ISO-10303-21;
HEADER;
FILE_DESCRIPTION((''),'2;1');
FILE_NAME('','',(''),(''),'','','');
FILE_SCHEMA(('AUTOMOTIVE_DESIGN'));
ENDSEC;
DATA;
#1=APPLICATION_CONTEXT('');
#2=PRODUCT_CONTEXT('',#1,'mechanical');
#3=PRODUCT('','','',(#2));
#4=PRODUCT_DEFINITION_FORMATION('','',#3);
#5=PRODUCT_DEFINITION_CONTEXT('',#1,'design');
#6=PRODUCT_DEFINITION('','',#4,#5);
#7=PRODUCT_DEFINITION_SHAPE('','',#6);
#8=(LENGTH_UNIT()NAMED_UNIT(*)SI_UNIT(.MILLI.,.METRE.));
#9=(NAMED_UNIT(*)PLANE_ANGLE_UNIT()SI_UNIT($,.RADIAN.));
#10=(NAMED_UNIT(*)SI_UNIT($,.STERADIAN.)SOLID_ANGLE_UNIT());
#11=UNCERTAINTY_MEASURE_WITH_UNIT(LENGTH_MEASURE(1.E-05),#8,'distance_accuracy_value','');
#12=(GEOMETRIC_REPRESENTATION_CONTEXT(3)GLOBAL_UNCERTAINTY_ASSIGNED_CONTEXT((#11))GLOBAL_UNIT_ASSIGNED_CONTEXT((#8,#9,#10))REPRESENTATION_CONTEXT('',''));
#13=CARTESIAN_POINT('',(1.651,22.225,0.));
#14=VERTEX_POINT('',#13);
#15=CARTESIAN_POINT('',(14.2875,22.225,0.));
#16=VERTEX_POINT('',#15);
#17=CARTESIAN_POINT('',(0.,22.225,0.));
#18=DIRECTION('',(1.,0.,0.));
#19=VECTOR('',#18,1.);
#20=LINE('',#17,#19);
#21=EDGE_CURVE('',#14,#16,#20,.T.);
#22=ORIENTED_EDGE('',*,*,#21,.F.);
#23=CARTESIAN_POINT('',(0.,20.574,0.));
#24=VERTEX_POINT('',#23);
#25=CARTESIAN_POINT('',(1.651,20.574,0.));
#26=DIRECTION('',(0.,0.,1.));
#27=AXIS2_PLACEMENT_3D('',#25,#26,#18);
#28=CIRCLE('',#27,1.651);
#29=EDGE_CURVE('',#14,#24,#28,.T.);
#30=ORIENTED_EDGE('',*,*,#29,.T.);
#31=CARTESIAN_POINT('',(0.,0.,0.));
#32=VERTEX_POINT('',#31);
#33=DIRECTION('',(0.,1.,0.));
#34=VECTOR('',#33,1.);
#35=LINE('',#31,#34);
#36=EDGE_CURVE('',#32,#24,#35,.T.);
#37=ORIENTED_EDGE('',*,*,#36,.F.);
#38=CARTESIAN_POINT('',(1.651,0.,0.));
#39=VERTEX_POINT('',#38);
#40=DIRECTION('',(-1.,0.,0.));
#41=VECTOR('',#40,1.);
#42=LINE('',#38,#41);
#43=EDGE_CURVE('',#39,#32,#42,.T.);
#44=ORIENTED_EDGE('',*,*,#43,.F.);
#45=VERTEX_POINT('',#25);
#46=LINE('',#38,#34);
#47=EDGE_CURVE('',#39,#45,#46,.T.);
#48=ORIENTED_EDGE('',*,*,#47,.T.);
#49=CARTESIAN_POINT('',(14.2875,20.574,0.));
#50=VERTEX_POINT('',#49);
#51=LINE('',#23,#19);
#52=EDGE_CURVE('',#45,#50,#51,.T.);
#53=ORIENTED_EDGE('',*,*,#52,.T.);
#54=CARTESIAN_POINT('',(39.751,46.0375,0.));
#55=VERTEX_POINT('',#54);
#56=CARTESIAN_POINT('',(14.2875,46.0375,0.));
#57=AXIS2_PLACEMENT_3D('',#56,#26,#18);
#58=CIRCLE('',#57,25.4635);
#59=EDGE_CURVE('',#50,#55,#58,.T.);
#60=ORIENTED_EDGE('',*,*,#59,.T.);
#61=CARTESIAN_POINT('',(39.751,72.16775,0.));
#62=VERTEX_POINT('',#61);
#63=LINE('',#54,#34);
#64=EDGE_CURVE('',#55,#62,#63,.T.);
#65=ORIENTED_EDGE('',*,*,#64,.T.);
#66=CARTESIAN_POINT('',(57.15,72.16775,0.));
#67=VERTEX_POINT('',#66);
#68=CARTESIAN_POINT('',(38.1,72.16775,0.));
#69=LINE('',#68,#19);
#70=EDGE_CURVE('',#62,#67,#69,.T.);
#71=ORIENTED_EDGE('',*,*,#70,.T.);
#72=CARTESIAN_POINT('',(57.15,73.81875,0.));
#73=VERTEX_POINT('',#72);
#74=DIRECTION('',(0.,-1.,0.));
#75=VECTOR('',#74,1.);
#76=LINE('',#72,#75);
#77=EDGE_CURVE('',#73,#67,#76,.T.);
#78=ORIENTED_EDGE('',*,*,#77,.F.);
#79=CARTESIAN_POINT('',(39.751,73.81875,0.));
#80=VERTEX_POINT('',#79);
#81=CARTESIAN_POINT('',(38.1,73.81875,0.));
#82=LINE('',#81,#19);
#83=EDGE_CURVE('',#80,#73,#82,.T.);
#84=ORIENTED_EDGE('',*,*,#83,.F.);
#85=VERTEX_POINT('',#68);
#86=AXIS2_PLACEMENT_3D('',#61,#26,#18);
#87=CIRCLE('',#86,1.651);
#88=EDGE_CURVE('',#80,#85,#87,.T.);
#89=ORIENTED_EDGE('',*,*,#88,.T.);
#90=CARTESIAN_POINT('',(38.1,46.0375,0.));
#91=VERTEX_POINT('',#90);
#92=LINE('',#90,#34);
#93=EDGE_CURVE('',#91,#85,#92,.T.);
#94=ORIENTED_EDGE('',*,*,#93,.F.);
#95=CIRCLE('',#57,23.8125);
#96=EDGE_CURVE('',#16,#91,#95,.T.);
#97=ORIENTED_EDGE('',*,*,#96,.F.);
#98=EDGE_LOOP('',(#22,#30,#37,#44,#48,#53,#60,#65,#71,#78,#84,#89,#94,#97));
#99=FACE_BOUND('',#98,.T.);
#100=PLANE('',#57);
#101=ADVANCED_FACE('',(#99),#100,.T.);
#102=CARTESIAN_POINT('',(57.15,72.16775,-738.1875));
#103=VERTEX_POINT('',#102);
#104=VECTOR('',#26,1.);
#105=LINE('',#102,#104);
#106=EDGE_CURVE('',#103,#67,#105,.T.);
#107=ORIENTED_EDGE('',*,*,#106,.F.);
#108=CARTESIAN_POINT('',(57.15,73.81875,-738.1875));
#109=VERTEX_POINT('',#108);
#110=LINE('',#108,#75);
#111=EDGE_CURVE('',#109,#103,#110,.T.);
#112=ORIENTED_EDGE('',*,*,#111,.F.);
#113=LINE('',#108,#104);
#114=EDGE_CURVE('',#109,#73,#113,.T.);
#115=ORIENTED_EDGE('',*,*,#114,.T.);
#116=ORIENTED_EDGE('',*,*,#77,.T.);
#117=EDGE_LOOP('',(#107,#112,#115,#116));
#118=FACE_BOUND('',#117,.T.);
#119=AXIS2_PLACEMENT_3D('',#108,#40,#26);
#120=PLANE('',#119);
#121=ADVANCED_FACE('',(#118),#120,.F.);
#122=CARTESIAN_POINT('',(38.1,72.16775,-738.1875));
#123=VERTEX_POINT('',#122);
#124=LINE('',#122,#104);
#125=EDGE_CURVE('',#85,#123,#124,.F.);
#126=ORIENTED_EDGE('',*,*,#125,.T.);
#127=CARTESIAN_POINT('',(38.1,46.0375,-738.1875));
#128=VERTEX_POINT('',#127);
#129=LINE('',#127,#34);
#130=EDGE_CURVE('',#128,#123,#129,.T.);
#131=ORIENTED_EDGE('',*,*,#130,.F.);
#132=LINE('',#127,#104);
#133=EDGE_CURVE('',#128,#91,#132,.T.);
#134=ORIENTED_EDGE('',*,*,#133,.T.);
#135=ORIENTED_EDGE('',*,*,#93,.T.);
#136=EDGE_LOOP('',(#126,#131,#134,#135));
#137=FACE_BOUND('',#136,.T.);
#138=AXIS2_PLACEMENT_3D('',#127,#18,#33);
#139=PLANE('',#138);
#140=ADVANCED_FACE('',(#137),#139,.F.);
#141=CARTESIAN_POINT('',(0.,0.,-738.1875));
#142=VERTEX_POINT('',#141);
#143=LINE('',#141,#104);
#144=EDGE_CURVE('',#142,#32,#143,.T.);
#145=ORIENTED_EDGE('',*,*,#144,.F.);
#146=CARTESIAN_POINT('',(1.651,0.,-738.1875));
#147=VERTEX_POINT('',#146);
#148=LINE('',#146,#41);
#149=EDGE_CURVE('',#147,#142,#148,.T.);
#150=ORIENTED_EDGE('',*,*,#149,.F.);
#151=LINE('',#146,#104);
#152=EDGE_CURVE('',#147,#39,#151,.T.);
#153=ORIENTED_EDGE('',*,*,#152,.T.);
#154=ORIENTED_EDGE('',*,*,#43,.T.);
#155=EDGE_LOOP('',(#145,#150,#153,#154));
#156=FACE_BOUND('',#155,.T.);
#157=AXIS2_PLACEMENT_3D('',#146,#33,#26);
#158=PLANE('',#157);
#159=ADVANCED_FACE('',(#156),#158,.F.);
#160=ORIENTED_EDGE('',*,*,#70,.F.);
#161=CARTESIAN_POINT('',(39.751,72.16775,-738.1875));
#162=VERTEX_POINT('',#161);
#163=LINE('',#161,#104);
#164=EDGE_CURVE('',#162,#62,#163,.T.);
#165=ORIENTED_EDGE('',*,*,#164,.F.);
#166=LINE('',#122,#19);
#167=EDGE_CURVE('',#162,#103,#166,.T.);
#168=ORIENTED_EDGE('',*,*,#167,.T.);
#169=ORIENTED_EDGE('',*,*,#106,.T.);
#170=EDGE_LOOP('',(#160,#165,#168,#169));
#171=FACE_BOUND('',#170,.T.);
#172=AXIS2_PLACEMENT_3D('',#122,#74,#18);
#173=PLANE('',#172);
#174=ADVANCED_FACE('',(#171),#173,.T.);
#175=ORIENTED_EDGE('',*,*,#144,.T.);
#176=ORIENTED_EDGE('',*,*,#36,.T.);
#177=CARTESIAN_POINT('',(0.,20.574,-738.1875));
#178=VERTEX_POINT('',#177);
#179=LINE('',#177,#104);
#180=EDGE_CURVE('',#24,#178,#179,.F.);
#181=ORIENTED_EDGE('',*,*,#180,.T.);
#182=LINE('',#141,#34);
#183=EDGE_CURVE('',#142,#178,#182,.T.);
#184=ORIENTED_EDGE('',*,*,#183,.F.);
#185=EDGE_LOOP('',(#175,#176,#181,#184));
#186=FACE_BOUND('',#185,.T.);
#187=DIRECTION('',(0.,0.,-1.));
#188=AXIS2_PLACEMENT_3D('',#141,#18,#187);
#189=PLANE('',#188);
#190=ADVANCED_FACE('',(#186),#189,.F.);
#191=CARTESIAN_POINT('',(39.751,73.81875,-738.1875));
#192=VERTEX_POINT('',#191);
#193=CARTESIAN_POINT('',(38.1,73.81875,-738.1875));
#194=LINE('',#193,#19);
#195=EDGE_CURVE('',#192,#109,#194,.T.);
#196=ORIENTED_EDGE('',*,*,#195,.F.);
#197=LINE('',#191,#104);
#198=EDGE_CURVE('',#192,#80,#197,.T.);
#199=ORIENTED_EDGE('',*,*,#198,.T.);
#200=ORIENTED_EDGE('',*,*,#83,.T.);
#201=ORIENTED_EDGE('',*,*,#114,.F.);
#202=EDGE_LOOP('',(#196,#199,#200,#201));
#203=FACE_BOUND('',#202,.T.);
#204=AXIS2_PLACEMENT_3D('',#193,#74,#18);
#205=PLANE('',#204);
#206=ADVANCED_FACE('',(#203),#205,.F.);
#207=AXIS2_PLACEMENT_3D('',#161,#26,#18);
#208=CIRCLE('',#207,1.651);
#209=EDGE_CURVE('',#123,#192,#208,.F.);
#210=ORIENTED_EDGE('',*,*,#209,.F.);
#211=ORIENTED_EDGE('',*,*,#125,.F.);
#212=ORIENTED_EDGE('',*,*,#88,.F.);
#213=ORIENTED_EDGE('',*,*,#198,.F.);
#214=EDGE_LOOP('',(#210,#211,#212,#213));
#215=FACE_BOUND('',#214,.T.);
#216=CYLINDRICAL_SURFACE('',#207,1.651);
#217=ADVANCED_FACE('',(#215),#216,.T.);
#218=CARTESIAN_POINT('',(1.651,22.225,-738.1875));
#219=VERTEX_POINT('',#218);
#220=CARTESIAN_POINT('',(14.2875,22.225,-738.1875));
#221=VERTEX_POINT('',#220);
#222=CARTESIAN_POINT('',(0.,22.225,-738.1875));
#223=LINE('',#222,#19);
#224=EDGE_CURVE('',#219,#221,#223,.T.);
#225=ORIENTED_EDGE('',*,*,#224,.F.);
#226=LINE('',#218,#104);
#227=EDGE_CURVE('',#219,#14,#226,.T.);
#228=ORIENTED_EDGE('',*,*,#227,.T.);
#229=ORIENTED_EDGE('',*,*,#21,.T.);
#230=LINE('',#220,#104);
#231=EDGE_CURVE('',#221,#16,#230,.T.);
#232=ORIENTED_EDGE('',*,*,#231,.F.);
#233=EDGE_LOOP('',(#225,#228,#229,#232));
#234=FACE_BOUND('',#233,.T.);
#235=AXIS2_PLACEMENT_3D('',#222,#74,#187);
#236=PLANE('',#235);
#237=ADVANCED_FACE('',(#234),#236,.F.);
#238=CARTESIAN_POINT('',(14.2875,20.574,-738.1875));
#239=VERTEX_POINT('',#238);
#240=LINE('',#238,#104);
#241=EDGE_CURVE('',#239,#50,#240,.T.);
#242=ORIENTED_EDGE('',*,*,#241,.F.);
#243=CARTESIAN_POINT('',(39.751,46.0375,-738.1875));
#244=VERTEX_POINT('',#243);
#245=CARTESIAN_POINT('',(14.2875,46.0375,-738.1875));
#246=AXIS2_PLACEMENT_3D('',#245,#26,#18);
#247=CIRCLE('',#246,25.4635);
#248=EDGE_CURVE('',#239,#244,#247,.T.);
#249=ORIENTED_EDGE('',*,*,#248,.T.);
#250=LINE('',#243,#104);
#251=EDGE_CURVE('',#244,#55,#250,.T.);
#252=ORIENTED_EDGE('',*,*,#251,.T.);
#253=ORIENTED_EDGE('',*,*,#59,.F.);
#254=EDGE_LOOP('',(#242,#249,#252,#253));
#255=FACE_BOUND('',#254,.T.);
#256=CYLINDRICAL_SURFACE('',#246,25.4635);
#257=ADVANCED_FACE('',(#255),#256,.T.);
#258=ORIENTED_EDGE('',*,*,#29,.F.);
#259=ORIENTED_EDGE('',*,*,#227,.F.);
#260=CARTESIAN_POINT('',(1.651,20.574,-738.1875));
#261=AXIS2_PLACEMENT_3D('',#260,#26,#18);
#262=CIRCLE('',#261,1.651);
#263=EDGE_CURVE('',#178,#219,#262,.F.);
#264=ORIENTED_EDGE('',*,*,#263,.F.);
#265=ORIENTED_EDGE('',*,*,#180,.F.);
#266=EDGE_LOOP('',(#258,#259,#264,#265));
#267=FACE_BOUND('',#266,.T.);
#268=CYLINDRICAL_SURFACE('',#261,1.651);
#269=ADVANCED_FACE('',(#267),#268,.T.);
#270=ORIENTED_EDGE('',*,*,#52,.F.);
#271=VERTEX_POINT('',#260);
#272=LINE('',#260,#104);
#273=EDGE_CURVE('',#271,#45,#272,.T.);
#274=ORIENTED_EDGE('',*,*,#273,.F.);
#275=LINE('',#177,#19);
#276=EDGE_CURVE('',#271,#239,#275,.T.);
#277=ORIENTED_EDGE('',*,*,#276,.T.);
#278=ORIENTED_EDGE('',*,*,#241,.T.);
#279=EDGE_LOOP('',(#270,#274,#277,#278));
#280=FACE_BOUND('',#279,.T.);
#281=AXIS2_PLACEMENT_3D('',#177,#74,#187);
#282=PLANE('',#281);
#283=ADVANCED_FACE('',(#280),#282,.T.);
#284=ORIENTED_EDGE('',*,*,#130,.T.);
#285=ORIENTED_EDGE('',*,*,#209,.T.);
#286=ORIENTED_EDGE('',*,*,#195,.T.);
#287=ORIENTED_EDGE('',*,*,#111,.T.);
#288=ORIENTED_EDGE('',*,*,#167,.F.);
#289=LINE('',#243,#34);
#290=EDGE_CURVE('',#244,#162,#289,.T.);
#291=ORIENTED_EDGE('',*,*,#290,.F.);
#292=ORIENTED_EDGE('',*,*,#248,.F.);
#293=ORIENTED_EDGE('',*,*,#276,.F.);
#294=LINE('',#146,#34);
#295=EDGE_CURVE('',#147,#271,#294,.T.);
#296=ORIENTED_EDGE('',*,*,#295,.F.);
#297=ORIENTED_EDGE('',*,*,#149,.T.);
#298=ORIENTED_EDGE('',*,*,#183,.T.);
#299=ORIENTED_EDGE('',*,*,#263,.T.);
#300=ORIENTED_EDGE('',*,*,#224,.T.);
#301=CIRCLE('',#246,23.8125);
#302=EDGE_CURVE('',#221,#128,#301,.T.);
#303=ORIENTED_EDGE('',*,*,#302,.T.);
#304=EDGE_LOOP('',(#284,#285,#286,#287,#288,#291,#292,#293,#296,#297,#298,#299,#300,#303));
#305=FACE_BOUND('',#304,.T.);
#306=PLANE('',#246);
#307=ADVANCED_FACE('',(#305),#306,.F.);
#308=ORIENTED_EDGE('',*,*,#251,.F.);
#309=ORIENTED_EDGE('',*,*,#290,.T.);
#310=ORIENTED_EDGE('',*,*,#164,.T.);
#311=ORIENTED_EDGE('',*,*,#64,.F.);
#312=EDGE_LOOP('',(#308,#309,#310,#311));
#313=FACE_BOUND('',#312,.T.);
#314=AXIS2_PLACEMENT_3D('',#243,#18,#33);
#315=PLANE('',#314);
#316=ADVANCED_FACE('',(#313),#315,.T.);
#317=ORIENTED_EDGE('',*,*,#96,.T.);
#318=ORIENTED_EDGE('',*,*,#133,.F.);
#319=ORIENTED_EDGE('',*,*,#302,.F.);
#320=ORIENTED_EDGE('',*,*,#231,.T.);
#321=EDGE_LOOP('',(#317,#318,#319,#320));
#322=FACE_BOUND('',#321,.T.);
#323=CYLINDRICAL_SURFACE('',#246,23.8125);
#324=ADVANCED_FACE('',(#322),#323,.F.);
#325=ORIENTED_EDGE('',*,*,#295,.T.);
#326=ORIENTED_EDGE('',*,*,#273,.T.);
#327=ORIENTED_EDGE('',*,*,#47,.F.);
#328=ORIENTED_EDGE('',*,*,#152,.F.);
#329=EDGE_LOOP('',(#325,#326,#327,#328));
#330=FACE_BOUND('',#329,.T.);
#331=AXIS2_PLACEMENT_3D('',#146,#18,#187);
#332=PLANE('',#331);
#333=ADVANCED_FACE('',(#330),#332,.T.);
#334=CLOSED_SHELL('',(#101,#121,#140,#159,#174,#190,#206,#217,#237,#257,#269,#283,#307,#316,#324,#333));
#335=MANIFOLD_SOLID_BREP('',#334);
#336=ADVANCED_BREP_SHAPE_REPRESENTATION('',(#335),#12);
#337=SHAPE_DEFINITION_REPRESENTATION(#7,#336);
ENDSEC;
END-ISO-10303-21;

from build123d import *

# Parameters (mm, degrees)
EXTRUDE_THIN1_DEPTH = 738.1875
FILLET1_R           = 1.651


with BuildPart() as part:
    # Sketch1 → Extrude-Thin1 (new body)
    with BuildSketch(Plane.XY):
        with BuildLine():
            Line((0, 0), (0, 22.225))
            Line((0, 22.225), (14.2875, 22.225))
            ThreePointArc((14.2875, 22.225), (31.125480227, 29.199519773), (38.1, 46.0375))
            Line((38.1, 46.0375), (38.1, 73.81875))
            Line((38.1, 73.81875), (57.15, 73.81875))
            Line((57.15, 73.81875), (57.15, 72.16775))
            Line((57.15, 72.16775), (39.751, 72.16775))
            Line((39.751, 72.16775), (39.751, 46.0375))
            ThreePointArc((39.751, 46.0375), (32.292913523, 28.032086477), (14.2875, 20.574))
            Line((14.2875, 20.574), (1.651, 20.574))
            Line((1.651, 20.574), (1.651, 0))
            Line((1.651, 0), (0, 0))
        make_face()
    extrude(amount=-EXTRUDE_THIN1_DEPTH)

    # Fillet1
    fillet1_edges = [part.edges().sort_by_distance(p)[0] for p in [
        (0, 22.225, -369.09375),
        (38.1, 73.81875, -369.09375),
    ]]
    fillet(fillet1_edges, radius=FILLET1_R)


solid = part.part
